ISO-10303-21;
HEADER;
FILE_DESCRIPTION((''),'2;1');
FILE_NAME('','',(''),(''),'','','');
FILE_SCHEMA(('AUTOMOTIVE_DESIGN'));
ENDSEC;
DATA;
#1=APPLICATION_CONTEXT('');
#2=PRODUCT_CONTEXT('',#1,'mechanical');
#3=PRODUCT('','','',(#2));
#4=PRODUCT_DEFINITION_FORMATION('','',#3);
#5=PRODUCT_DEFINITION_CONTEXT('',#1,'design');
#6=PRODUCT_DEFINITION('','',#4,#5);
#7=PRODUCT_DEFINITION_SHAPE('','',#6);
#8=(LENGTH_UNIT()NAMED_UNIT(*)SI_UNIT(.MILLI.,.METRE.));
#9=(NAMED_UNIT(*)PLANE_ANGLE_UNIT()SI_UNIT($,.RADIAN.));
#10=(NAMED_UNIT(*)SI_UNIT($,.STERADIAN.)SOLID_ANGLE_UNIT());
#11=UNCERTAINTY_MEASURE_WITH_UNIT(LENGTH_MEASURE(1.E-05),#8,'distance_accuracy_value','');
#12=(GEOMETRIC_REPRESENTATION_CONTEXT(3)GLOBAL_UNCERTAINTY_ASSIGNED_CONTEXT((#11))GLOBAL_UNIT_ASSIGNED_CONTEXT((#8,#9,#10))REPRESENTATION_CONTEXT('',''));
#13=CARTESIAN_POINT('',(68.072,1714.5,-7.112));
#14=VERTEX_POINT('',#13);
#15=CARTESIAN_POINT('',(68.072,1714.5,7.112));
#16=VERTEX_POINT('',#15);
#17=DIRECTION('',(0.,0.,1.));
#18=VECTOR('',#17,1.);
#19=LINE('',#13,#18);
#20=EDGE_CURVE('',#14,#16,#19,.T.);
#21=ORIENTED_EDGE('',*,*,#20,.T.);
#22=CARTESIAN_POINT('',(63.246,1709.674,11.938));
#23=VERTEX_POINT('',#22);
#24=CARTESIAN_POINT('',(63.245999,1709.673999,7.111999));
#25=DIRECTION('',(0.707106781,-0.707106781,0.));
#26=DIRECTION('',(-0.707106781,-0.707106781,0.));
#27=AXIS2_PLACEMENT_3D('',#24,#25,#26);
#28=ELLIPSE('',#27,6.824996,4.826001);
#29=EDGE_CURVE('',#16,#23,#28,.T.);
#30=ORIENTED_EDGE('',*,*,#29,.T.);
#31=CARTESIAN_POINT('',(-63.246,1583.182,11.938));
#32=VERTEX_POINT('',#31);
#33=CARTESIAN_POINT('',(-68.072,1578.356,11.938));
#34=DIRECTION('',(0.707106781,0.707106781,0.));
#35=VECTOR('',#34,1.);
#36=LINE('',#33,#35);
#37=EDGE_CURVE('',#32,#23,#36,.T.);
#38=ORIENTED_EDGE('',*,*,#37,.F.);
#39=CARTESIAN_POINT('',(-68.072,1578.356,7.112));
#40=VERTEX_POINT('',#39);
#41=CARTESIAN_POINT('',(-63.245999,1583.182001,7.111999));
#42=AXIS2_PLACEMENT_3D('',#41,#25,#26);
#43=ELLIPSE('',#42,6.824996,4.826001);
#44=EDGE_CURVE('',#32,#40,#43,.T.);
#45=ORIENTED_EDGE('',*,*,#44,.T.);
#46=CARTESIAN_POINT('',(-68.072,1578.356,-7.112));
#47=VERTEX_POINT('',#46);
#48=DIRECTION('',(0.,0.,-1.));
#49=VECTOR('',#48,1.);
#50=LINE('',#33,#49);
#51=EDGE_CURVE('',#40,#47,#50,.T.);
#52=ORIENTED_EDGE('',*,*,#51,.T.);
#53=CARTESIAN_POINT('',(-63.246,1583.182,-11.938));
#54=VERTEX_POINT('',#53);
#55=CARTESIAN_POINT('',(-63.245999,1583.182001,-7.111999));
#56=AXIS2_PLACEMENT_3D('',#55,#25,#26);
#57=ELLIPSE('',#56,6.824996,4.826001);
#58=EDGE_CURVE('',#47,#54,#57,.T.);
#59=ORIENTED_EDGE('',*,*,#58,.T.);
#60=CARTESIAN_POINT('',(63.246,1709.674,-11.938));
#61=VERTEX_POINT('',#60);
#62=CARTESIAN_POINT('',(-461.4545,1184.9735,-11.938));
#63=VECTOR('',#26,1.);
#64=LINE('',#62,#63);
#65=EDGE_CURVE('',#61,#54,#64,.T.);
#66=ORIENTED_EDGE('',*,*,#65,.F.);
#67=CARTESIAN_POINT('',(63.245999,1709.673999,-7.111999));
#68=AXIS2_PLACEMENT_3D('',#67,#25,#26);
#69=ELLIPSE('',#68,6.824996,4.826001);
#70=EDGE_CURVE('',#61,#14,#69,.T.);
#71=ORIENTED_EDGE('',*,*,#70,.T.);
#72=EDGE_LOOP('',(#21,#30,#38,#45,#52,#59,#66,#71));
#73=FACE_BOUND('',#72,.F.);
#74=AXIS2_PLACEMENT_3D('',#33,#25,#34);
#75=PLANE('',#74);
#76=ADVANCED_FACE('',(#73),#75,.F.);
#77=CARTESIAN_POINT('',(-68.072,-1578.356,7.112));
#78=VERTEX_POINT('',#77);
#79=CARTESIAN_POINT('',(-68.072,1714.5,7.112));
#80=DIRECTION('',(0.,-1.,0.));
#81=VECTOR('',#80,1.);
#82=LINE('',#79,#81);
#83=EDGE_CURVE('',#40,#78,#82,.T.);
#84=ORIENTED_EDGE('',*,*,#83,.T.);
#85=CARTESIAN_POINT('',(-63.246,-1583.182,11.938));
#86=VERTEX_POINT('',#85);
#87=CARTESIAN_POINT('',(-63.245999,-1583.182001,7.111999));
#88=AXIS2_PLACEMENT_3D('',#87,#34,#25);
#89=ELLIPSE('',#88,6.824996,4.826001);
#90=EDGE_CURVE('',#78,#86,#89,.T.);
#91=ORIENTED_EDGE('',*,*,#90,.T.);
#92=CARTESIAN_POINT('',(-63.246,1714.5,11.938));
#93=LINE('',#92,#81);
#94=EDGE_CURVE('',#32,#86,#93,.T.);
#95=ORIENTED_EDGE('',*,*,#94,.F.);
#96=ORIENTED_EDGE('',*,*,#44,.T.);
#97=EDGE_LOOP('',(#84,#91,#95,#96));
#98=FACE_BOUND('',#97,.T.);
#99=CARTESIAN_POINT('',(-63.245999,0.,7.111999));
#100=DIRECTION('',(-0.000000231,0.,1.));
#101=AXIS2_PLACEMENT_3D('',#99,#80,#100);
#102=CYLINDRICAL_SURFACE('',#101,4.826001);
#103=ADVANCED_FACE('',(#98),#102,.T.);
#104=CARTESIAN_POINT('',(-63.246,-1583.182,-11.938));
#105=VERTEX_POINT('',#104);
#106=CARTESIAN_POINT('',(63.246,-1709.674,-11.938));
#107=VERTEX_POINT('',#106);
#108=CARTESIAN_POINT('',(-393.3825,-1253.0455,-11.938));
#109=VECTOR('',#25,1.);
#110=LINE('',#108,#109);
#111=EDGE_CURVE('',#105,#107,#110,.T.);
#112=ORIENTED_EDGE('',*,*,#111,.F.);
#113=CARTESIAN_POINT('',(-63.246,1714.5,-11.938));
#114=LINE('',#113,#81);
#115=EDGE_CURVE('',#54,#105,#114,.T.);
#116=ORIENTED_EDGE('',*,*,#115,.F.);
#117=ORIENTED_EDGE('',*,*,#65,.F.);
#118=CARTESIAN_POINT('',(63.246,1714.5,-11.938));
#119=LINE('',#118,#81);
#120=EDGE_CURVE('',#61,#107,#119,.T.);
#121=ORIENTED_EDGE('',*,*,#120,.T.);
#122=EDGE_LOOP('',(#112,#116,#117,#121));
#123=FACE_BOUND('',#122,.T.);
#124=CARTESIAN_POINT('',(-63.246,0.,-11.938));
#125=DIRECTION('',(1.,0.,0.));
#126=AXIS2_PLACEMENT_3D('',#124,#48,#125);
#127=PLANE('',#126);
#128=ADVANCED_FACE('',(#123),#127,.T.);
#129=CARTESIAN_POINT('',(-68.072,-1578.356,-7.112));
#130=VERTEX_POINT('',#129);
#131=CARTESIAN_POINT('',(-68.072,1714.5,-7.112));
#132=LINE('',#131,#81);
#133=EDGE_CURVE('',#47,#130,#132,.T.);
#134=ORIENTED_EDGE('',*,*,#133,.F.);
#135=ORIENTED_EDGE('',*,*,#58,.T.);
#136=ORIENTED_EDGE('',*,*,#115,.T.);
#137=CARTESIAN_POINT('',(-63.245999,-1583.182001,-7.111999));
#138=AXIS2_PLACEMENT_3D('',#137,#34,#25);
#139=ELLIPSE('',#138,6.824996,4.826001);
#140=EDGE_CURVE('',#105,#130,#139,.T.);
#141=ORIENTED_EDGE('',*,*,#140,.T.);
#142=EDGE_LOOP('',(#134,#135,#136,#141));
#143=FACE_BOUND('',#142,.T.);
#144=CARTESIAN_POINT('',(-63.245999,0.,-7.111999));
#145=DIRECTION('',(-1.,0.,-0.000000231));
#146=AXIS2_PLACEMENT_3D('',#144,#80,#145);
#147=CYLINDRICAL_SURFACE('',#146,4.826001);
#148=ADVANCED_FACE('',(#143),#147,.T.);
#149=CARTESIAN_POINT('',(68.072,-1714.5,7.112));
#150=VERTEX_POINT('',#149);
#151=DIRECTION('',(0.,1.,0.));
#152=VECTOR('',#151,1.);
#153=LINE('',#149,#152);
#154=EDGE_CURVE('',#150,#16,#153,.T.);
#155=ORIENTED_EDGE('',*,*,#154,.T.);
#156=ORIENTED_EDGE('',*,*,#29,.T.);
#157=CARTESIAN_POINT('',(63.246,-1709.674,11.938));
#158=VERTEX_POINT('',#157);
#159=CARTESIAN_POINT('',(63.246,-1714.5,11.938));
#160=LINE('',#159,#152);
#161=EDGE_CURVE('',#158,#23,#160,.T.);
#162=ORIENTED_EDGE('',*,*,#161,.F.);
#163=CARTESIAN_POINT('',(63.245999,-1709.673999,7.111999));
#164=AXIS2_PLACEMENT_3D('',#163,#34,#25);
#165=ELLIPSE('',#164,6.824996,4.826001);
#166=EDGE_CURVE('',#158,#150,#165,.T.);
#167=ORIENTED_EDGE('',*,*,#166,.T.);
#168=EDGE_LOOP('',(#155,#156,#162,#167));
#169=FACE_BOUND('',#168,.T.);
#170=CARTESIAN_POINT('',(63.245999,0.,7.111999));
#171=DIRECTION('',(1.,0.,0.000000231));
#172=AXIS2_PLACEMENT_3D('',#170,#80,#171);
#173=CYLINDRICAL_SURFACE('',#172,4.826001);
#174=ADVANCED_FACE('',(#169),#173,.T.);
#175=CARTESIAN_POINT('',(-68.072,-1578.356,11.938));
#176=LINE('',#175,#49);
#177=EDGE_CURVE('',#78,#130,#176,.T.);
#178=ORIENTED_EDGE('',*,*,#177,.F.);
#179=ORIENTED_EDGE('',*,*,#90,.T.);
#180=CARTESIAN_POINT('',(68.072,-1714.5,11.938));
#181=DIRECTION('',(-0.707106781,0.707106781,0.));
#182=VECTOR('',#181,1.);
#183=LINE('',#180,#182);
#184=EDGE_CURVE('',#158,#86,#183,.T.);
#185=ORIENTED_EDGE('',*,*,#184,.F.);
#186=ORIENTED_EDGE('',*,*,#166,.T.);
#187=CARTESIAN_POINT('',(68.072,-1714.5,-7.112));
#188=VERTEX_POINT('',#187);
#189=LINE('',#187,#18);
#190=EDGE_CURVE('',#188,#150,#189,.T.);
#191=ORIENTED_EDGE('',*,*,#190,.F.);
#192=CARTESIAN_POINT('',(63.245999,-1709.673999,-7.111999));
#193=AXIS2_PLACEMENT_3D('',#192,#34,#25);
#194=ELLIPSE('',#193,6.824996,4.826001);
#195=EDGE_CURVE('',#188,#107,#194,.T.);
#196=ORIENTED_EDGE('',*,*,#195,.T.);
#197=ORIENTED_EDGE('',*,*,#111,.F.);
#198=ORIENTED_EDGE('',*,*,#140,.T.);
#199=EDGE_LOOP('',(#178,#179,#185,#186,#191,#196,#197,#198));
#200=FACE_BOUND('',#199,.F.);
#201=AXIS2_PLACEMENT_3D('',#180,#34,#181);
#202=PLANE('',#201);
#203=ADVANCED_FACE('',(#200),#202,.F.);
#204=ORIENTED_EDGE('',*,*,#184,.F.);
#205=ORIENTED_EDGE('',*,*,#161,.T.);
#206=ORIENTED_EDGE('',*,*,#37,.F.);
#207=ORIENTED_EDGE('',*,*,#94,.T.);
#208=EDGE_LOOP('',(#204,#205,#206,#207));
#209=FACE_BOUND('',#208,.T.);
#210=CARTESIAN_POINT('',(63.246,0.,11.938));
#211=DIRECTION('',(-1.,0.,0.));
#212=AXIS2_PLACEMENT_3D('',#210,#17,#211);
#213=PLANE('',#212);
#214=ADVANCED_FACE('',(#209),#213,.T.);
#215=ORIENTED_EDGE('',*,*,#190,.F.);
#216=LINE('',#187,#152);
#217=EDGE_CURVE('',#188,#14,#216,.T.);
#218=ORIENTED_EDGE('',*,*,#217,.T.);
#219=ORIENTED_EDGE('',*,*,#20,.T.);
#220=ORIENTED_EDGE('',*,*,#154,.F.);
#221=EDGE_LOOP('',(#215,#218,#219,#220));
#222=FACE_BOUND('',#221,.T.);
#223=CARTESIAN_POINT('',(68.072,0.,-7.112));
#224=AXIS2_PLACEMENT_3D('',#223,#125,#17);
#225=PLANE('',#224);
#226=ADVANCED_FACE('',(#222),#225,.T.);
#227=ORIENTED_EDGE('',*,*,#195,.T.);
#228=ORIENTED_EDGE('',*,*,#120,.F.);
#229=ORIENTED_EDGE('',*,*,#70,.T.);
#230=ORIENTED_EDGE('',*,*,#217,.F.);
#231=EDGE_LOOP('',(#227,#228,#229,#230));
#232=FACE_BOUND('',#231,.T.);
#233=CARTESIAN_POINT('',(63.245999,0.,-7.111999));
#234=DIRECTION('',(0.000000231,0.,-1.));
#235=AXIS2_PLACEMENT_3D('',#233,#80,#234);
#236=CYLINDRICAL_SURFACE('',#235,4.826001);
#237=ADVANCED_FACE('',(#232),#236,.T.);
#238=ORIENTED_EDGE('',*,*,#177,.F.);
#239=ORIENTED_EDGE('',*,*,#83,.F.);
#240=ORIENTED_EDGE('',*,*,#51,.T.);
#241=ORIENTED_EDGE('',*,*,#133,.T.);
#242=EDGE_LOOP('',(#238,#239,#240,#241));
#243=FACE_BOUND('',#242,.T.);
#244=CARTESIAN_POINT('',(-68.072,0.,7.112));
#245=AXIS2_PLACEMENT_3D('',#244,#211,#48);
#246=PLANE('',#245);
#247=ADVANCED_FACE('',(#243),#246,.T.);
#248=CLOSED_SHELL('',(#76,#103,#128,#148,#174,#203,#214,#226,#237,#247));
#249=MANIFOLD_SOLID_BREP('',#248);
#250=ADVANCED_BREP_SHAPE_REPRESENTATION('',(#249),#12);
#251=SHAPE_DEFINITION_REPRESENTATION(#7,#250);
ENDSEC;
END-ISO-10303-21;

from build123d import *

# Parameters (mm, degrees)
F1_DEPTH = 1714.5
F3_DEPTH = 23.877


with BuildPart() as f1:
    # F0 (on Front) → F1 (new body, symmetric)
    with BuildSketch(Plane.XZ):
        with BuildLine():
            Line((63.246, 11.938), (-63.246, 11.938))
            ThreePointArc((-63.246, 11.938), (-66.658497, 10.524497), (-68.072, 7.112))
            Line((-68.072, 7.112), (-68.072, -7.112))
            ThreePointArc((-68.072, -7.112), (-66.658497, -10.524497), (-63.246, -11.938))
            Line((-63.246, -11.938), (63.246, -11.938))
            ThreePointArc((63.246, -11.938), (66.658497, -10.524497), (68.072, -7.112))
            Line((68.072, -7.112), (68.072, 7.112))
            ThreePointArc((68.072, 7.112), (66.658497, 10.524497), (63.246, 11.938))
        make_face()
    extrude(amount=F1_DEPTH, both=True)

    # F2 (on face) → F3 (cut, through all)
    with BuildSketch(Plane.XY.offset(11.938)):
        Polygon((68.072, -1714.5), (-68.072, -1578.356), (-68.072, -1714.5), align=None)
        Polygon((-68.072, 1714.5), (-68.072, 1578.356), (68.072, 1714.5), align=None)
    extrude(amount=-F3_DEPTH, mode=Mode.SUBTRACT)


solid = f1.part
